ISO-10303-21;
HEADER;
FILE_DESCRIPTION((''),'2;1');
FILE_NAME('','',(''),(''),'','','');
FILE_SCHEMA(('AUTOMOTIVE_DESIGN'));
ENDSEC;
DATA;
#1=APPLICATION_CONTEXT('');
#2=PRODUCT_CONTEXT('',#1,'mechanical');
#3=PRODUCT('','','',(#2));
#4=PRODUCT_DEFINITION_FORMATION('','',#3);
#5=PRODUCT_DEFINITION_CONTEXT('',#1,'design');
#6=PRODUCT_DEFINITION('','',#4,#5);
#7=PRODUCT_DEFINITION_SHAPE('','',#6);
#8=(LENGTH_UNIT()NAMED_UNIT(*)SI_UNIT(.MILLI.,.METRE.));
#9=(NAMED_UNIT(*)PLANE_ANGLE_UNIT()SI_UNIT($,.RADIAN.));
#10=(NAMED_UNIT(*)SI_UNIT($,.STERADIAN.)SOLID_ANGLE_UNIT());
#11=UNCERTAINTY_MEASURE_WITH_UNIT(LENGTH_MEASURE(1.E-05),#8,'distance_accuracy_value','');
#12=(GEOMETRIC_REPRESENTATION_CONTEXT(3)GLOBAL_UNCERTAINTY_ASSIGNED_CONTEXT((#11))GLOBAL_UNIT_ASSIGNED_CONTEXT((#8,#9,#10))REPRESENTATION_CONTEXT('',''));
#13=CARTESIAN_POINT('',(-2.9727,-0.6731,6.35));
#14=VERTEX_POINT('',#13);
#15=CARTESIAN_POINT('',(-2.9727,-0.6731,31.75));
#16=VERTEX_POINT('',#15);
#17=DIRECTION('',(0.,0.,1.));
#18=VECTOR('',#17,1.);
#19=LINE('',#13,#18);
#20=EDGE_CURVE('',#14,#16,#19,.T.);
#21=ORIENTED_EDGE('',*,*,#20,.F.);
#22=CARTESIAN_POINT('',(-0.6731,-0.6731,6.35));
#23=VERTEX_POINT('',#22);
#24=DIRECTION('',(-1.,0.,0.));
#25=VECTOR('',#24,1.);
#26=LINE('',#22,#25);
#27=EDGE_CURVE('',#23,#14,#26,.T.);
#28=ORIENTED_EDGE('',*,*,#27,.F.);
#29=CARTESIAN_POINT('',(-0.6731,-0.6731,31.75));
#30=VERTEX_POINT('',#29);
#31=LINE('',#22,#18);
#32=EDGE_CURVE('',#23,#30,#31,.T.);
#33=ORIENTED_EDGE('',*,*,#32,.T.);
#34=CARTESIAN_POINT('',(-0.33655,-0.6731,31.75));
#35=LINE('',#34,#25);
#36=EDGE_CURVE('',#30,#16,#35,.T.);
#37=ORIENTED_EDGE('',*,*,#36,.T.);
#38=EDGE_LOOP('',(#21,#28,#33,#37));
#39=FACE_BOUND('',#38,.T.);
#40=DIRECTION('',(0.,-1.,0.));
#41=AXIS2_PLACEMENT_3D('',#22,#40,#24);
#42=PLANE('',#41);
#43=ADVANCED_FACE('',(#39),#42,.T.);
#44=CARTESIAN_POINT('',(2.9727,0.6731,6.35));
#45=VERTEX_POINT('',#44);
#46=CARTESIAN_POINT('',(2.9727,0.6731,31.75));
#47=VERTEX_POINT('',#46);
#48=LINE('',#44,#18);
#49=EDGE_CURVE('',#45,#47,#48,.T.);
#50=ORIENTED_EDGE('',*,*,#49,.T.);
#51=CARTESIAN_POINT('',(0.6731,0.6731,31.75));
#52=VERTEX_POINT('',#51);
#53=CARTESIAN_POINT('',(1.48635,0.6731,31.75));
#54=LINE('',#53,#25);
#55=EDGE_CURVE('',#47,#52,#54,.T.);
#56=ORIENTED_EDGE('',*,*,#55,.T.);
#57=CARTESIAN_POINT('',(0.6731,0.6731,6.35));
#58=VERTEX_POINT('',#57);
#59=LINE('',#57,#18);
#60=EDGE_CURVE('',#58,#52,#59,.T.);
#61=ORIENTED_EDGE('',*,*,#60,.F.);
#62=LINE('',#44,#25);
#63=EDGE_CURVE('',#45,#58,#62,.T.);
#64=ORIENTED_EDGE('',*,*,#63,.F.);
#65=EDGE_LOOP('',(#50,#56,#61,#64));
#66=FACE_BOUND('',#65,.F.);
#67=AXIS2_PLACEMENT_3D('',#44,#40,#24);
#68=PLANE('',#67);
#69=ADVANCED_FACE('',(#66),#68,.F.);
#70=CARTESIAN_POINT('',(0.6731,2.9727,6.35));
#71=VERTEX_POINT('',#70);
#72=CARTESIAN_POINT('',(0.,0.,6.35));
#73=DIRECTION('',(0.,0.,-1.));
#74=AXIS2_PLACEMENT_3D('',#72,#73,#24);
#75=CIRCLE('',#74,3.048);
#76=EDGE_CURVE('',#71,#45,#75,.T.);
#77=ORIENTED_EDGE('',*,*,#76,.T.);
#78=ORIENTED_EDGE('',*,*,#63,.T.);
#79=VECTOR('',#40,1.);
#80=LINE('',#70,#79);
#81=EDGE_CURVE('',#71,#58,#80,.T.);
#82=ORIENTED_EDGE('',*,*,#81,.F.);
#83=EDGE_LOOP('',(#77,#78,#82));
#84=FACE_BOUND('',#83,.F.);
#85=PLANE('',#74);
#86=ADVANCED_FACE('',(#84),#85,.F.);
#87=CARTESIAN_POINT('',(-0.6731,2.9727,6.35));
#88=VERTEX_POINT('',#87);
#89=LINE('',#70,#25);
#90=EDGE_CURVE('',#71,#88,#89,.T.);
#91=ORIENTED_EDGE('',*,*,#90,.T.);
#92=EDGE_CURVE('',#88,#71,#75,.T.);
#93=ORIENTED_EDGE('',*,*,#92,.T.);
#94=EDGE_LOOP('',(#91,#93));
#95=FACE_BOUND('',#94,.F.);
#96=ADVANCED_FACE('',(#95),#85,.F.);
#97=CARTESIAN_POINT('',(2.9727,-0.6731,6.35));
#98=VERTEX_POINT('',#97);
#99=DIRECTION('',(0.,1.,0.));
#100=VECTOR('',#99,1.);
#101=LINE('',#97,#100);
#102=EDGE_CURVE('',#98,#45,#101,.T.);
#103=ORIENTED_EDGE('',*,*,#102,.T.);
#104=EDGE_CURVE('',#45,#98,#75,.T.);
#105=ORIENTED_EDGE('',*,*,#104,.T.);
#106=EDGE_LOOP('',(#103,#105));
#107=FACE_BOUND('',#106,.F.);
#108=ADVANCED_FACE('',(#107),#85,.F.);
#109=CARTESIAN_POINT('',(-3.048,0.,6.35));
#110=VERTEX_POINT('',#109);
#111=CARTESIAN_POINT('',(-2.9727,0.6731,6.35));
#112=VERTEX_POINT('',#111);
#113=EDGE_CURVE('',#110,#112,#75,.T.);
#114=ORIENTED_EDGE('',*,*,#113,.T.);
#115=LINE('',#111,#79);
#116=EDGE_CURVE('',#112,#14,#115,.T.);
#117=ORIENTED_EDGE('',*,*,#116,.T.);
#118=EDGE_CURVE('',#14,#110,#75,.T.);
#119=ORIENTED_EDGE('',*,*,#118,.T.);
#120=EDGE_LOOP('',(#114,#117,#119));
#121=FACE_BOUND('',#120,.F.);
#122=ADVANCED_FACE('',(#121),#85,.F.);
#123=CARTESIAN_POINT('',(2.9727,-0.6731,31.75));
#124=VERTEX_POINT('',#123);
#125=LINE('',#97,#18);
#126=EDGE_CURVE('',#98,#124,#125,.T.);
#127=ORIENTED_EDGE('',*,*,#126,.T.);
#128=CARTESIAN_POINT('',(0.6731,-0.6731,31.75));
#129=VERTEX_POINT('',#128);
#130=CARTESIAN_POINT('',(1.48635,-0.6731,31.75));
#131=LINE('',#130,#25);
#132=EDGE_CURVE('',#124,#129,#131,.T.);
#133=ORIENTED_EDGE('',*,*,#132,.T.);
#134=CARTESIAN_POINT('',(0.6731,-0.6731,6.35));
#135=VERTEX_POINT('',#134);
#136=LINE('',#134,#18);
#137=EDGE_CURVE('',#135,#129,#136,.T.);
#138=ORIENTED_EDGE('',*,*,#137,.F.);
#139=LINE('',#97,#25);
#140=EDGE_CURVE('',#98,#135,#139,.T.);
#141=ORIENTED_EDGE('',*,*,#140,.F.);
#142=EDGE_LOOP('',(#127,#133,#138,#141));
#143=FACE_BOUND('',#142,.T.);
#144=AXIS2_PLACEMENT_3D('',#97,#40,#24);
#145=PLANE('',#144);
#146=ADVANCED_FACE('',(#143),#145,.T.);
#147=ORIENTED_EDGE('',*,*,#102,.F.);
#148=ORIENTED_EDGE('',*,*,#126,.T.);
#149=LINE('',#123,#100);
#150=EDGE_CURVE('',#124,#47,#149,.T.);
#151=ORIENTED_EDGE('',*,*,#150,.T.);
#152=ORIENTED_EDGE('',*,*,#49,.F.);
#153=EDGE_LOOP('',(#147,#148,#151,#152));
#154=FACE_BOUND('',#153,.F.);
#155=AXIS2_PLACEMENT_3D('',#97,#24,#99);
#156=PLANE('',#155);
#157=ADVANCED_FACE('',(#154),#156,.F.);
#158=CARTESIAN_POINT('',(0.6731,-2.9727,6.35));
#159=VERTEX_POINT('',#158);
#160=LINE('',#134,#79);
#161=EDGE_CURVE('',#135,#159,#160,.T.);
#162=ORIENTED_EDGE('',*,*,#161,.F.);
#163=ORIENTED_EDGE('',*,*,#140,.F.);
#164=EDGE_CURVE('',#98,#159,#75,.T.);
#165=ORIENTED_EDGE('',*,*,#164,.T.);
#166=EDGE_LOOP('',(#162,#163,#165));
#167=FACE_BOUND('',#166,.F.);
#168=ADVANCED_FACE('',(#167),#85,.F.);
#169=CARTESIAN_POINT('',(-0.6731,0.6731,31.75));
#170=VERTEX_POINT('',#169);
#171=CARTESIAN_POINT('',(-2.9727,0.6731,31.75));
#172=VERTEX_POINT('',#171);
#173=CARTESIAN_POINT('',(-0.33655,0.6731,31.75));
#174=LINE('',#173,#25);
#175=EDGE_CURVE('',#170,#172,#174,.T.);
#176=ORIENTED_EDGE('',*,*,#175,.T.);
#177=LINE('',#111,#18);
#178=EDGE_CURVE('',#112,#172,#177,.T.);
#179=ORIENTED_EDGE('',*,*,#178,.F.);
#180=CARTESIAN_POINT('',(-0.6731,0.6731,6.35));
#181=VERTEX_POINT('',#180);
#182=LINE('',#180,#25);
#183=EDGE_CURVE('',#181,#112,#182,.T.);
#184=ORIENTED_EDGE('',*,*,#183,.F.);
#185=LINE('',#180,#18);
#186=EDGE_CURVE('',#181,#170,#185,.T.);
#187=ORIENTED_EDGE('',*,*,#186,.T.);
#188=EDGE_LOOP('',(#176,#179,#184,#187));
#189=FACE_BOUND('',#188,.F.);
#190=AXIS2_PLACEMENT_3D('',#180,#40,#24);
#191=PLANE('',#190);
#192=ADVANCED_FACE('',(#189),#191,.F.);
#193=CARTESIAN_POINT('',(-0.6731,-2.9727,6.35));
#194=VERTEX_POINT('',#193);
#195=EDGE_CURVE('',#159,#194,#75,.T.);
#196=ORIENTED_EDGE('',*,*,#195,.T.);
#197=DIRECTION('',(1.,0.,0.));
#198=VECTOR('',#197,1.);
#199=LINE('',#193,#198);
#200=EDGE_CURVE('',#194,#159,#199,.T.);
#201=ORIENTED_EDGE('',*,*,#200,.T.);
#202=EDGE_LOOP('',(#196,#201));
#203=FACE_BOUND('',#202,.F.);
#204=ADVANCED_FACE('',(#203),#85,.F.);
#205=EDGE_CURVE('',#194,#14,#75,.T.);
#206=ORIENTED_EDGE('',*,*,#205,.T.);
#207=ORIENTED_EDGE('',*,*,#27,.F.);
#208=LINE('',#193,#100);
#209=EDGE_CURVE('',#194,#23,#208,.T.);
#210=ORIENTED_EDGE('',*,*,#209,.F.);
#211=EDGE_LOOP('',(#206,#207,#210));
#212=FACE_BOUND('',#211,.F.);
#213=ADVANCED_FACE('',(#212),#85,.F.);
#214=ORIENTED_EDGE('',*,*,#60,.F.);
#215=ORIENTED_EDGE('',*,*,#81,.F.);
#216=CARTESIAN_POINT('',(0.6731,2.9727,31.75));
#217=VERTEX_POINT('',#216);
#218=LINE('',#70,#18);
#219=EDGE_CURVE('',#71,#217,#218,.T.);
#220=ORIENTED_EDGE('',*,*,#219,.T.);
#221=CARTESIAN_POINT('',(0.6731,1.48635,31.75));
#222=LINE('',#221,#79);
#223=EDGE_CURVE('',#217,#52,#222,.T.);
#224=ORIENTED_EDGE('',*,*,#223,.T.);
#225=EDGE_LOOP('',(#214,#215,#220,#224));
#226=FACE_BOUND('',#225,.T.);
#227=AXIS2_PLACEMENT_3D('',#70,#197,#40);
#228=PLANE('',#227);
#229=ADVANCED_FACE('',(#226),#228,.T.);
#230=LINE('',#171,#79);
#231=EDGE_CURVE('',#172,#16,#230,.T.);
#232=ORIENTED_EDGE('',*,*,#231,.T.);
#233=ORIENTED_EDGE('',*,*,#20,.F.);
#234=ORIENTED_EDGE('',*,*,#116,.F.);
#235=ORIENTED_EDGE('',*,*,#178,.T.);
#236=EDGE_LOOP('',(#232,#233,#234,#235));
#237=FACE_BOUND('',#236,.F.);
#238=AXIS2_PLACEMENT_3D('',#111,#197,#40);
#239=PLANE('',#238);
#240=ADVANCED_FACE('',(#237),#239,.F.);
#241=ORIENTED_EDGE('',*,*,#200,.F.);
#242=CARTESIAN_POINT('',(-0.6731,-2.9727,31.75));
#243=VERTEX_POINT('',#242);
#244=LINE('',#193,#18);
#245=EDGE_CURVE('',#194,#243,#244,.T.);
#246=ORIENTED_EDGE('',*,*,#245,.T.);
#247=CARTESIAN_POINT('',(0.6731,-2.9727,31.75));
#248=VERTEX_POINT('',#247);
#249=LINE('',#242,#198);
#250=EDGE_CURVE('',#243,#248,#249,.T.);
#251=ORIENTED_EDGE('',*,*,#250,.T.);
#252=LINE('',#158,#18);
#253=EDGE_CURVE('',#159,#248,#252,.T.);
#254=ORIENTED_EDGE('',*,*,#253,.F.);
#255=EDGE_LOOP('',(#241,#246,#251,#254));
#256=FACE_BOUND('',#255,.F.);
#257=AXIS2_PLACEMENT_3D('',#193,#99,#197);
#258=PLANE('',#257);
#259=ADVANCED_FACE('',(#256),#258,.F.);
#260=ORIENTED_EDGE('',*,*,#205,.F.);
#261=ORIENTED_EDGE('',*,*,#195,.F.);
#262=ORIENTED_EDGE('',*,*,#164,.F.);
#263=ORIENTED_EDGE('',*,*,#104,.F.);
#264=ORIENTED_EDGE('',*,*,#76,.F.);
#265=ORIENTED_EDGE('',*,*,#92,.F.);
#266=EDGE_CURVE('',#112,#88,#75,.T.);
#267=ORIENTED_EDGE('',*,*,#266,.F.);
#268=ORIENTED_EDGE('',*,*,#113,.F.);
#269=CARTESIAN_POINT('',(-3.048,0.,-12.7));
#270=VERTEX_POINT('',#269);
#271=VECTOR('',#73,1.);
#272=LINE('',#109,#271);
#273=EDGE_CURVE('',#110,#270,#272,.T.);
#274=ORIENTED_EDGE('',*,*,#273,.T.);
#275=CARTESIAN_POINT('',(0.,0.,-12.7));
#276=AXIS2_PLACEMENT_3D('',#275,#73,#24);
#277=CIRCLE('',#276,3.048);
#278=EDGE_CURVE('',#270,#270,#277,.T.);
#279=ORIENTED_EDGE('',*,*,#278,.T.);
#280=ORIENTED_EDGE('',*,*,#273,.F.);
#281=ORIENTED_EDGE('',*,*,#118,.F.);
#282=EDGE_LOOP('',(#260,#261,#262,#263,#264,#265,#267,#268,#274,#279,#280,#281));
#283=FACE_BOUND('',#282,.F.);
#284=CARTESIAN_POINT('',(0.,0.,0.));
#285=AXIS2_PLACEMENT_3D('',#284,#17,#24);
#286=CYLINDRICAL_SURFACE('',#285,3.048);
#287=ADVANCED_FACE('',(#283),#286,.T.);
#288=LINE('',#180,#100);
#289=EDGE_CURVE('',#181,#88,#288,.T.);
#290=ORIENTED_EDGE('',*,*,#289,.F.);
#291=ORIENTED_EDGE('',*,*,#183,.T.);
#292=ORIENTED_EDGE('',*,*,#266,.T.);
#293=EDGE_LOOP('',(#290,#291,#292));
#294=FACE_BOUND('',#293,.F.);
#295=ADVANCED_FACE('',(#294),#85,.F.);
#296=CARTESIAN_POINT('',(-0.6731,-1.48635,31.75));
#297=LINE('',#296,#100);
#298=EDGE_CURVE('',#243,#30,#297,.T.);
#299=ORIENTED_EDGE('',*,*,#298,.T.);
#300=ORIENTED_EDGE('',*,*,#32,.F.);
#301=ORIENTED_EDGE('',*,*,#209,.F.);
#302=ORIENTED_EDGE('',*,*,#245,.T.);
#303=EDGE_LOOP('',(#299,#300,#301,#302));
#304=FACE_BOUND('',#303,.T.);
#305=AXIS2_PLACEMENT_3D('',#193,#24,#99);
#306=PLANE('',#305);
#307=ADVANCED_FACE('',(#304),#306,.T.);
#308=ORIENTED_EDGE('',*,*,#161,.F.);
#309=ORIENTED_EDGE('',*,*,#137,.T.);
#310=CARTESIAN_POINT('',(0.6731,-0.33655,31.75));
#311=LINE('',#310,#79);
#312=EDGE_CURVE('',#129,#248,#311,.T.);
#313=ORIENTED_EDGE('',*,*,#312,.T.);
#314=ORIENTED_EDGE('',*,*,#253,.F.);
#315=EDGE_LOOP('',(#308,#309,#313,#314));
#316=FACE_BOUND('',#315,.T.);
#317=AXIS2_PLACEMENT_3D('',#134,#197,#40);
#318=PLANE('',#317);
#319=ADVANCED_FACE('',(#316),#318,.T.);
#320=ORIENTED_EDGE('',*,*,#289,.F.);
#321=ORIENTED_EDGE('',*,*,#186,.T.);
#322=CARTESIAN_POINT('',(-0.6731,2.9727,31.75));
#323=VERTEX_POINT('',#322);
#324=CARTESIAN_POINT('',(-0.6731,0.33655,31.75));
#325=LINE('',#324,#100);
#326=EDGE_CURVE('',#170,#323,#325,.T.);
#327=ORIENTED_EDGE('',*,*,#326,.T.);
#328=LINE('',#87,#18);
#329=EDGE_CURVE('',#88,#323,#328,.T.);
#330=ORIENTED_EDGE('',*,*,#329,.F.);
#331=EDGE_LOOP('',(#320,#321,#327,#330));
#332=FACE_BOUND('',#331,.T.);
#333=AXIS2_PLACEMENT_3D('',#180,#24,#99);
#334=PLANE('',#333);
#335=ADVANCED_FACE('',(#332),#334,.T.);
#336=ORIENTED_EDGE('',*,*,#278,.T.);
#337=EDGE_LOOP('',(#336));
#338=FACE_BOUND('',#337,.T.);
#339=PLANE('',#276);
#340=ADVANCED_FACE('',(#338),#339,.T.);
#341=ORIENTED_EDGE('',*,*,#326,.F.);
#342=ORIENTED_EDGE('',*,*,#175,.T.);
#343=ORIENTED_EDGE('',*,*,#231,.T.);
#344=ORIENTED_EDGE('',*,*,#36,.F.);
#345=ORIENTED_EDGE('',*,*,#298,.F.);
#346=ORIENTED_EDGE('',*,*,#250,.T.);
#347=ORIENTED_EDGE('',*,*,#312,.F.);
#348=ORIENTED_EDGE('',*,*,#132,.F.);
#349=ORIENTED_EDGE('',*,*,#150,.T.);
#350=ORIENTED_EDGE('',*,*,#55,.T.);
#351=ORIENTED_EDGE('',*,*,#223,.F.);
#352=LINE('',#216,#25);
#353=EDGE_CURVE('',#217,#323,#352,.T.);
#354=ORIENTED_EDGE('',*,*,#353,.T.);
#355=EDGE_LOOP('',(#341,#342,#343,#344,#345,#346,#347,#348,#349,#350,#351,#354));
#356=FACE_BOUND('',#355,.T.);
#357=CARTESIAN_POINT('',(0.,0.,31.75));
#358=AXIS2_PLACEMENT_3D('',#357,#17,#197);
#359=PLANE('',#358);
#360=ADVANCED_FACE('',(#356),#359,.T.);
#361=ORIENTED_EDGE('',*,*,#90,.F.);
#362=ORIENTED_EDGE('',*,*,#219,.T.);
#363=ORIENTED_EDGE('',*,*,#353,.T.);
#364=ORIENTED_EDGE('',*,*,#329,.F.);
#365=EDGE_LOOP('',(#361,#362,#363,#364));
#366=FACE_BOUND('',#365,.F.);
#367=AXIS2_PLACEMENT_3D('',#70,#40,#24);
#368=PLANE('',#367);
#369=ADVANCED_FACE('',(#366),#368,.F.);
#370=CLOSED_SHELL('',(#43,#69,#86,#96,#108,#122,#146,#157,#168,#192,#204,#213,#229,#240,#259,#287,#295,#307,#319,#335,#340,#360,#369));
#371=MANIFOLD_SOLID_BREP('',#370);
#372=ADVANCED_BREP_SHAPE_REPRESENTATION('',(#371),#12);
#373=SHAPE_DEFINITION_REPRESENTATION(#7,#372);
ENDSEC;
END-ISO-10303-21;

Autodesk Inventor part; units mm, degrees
ref_plane "YZ Plane" through (0, 0, 0) normal (1, 0, 0) x (0, 1, 0)
ref_plane "XZ Plane" through (0, 0, 0) normal (0, 1, 0) x (-1, 0, 0)
ref_plane "XY Plane" through (0, 0, 0) normal (0, 0, 1) x (1, 0, 0)
sketch "Sketch1" plane through (0, 0, 0) normal (0, 0, 1) x (1, 0, 0)
  circle A0 centre (0, 0) radius 3.048
  dimension "d0" = 6.096
extrude "Extrusion1" add sketch "Sketch1" along normal blind 38.1
sketch "Sketch2" plane through (0, 0, 0) normal (0, 0, -1) x (-1, 0, 0)
  circle A0 centre (0, 0) radius 3.048
extrude "Extrusion2" cut sketch "Sketch2" against normal blind 6.35
sketch "Sketch3" plane through (0, 0, 6.35) normal (0, 0, -1) x (-1, 0, 0)
  circle A0 centre (0, 0) radius 3.048 projected
  line L0 (0, 0) -> (0, 0.6747) construction
  line L1 (-2.9727, 0.6731) -> (-0.6731, 0.6731)
  line L2 (0.6731, 0.6731) -> (2.9727, 0.6731)
  line L3 (-0.6731, 2.9727) -> (-0.6731, 0.6731)
  line L4 (-0.6731, -0.6731) -> (-0.6731, -2.9727)
  line L5 (0.6731, -2.9727) -> (0.6731, -0.6731)
  line L6 (0.6731, 0.6731) -> (0.6731, 2.9727)
  line L7 (-2.9727, -0.6731) -> (-0.6731, -0.6731)
  line L8 (0.6731, -0.6731) -> (2.9727, -0.6731)
  arc A1 (-0.6731, 2.9727) -> (-2.9727, 0.6731) centre (0, 0) ccw
  arc A2 (2.9727, 0.6731) -> (0.6731, 2.9727) centre (0, 0) ccw
  arc A3 (-2.9727, -0.6731) -> (-0.6731, -2.9727) centre (0, 0) ccw
  arc A4 (0.6731, -2.9727) -> (2.9727, -0.6731) centre (0, 0) ccw
  dimension "d5" = 1.3462
extrude "Extrusion3" cut sketch "Sketch3" against normal blind 31.75 contours L2 L6 A0 | A0 L5 L8 | L3 L1 A0 | A0 L7 L4
sketch "Sketch4" plane through (0, 0, 6.35) normal (0, 0, -1) x (-1, 0, 0)
  circle A0 centre (0, 0) radius 3.048 projected
  line L0 (-0.6731, 2.9727) -> (0.6731, 2.9727)
  line L1 (-2.9727, -0.6731) -> (-2.9727, 0.6731)
  line L2 (0.6731, -2.9727) -> (-0.6731, -2.9727)
  line L3 (2.9727, 0.6731) -> (2.9727, -0.6731)
  arc A1 (0.6731, 2.9727) -> (-0.6731, 2.9727) centre (0, 0) ccw
  arc A2 (2.9727, -0.6731) -> (2.9727, 0.6731) centre (0, 0) ccw
  arc A3 (-2.9727, 0.6731) -> (-2.9727, -0.6731) centre (0, 0) ccw
  arc A4 (-0.6731, -2.9727) -> (0.6731, -2.9727) centre (0, 0) ccw
  point P0 (-0.6731, -2.9727)
  point P1 (2.9727, -0.6731)
  point P2 (-2.9727, 0.6731)
  dimension "d14" = 360
extrude "Extrusion4" cut sketch "Sketch4" against normal blind 25.4 contours A0 L3 | L0 A0 | A0 L2 | L1 A0
sketch "Sketch5" plane through (0, 0, 6.35) normal (0, 0, -1) x (-1, 0, 0)
  circle A0 centre (0, 0) radius 3.048
  dimension "d18" = 6.096
extrude "Extrusion5" add sketch "Sketch5" along normal blind 6.35
sketch "Sketch6" plane through (0, 0, 38.1) normal (0, 0, 1) x (1, 0, 0)
  circle A0 centre (0, 0) radius 3.048
  dimension "d21" = 6.096
extrude "Extrusion6" cut sketch "Sketch6" against normal blind 6.35
sketch "Sketch7" plane through (0, 0, 31.75) normal (0, 0, 1) x (1, 0, 0)
  line L0 (-0.6731, 2.9727) -> (0.6731, 2.9727) projected
  line L1 (0.6731, -0.6731) -> (0.6731, -2.9727) projected
  line L2 (-0.6731, 2.9727) -> (0.6731, 2.9727)
  line L3 (0.6731, -2.9727) -> (-0.6731, -2.9727)
  line L4 (-2.9727, -0.6731) -> (-2.9727, 0.6731) projected
  line L5 (2.9727, -0.6731) -> (2.9727, -0.6731) projected
  line L6 (2.9727, 0.6731) -> (2.9727, -0.6731)
  line L7 (-2.9727, -0.6731) -> (-2.9727, 0.6731)
  line L8 (-2.9727, 0.6731) -> (-0.6731, 0.6731)
  line L9 (0.6731, 0.6731) -> (2.9727, 0.6731)
  line L10 (-0.6731, -2.9727) -> (-0.6731, -0.6731)
  line L11 (-0.6731, 0.6731) -> (-0.6731, 2.9727)
  line L12 (0.6731, 2.9727) -> (0.6731, 0.6731)
  line L13 (0.6731, -0.6731) -> (0.6731, -2.9727)
  line L14 (2.9727, -0.6731) -> (0.6731, -0.6731)
  line L15 (-0.6731, -0.6731) -> (-2.9727, -0.6731)
  point P0 (0, 0)
sketch "Sketch8" plane through (0, 0, 0) normal (0, 0, -1) x (-1, 0, 0)
  circle A0 centre (0, 0) radius 3.048
extrude "Extrusion7" add sketch "Sketch8" along normal blind 12.7
properties part number "Bistable Rod"
